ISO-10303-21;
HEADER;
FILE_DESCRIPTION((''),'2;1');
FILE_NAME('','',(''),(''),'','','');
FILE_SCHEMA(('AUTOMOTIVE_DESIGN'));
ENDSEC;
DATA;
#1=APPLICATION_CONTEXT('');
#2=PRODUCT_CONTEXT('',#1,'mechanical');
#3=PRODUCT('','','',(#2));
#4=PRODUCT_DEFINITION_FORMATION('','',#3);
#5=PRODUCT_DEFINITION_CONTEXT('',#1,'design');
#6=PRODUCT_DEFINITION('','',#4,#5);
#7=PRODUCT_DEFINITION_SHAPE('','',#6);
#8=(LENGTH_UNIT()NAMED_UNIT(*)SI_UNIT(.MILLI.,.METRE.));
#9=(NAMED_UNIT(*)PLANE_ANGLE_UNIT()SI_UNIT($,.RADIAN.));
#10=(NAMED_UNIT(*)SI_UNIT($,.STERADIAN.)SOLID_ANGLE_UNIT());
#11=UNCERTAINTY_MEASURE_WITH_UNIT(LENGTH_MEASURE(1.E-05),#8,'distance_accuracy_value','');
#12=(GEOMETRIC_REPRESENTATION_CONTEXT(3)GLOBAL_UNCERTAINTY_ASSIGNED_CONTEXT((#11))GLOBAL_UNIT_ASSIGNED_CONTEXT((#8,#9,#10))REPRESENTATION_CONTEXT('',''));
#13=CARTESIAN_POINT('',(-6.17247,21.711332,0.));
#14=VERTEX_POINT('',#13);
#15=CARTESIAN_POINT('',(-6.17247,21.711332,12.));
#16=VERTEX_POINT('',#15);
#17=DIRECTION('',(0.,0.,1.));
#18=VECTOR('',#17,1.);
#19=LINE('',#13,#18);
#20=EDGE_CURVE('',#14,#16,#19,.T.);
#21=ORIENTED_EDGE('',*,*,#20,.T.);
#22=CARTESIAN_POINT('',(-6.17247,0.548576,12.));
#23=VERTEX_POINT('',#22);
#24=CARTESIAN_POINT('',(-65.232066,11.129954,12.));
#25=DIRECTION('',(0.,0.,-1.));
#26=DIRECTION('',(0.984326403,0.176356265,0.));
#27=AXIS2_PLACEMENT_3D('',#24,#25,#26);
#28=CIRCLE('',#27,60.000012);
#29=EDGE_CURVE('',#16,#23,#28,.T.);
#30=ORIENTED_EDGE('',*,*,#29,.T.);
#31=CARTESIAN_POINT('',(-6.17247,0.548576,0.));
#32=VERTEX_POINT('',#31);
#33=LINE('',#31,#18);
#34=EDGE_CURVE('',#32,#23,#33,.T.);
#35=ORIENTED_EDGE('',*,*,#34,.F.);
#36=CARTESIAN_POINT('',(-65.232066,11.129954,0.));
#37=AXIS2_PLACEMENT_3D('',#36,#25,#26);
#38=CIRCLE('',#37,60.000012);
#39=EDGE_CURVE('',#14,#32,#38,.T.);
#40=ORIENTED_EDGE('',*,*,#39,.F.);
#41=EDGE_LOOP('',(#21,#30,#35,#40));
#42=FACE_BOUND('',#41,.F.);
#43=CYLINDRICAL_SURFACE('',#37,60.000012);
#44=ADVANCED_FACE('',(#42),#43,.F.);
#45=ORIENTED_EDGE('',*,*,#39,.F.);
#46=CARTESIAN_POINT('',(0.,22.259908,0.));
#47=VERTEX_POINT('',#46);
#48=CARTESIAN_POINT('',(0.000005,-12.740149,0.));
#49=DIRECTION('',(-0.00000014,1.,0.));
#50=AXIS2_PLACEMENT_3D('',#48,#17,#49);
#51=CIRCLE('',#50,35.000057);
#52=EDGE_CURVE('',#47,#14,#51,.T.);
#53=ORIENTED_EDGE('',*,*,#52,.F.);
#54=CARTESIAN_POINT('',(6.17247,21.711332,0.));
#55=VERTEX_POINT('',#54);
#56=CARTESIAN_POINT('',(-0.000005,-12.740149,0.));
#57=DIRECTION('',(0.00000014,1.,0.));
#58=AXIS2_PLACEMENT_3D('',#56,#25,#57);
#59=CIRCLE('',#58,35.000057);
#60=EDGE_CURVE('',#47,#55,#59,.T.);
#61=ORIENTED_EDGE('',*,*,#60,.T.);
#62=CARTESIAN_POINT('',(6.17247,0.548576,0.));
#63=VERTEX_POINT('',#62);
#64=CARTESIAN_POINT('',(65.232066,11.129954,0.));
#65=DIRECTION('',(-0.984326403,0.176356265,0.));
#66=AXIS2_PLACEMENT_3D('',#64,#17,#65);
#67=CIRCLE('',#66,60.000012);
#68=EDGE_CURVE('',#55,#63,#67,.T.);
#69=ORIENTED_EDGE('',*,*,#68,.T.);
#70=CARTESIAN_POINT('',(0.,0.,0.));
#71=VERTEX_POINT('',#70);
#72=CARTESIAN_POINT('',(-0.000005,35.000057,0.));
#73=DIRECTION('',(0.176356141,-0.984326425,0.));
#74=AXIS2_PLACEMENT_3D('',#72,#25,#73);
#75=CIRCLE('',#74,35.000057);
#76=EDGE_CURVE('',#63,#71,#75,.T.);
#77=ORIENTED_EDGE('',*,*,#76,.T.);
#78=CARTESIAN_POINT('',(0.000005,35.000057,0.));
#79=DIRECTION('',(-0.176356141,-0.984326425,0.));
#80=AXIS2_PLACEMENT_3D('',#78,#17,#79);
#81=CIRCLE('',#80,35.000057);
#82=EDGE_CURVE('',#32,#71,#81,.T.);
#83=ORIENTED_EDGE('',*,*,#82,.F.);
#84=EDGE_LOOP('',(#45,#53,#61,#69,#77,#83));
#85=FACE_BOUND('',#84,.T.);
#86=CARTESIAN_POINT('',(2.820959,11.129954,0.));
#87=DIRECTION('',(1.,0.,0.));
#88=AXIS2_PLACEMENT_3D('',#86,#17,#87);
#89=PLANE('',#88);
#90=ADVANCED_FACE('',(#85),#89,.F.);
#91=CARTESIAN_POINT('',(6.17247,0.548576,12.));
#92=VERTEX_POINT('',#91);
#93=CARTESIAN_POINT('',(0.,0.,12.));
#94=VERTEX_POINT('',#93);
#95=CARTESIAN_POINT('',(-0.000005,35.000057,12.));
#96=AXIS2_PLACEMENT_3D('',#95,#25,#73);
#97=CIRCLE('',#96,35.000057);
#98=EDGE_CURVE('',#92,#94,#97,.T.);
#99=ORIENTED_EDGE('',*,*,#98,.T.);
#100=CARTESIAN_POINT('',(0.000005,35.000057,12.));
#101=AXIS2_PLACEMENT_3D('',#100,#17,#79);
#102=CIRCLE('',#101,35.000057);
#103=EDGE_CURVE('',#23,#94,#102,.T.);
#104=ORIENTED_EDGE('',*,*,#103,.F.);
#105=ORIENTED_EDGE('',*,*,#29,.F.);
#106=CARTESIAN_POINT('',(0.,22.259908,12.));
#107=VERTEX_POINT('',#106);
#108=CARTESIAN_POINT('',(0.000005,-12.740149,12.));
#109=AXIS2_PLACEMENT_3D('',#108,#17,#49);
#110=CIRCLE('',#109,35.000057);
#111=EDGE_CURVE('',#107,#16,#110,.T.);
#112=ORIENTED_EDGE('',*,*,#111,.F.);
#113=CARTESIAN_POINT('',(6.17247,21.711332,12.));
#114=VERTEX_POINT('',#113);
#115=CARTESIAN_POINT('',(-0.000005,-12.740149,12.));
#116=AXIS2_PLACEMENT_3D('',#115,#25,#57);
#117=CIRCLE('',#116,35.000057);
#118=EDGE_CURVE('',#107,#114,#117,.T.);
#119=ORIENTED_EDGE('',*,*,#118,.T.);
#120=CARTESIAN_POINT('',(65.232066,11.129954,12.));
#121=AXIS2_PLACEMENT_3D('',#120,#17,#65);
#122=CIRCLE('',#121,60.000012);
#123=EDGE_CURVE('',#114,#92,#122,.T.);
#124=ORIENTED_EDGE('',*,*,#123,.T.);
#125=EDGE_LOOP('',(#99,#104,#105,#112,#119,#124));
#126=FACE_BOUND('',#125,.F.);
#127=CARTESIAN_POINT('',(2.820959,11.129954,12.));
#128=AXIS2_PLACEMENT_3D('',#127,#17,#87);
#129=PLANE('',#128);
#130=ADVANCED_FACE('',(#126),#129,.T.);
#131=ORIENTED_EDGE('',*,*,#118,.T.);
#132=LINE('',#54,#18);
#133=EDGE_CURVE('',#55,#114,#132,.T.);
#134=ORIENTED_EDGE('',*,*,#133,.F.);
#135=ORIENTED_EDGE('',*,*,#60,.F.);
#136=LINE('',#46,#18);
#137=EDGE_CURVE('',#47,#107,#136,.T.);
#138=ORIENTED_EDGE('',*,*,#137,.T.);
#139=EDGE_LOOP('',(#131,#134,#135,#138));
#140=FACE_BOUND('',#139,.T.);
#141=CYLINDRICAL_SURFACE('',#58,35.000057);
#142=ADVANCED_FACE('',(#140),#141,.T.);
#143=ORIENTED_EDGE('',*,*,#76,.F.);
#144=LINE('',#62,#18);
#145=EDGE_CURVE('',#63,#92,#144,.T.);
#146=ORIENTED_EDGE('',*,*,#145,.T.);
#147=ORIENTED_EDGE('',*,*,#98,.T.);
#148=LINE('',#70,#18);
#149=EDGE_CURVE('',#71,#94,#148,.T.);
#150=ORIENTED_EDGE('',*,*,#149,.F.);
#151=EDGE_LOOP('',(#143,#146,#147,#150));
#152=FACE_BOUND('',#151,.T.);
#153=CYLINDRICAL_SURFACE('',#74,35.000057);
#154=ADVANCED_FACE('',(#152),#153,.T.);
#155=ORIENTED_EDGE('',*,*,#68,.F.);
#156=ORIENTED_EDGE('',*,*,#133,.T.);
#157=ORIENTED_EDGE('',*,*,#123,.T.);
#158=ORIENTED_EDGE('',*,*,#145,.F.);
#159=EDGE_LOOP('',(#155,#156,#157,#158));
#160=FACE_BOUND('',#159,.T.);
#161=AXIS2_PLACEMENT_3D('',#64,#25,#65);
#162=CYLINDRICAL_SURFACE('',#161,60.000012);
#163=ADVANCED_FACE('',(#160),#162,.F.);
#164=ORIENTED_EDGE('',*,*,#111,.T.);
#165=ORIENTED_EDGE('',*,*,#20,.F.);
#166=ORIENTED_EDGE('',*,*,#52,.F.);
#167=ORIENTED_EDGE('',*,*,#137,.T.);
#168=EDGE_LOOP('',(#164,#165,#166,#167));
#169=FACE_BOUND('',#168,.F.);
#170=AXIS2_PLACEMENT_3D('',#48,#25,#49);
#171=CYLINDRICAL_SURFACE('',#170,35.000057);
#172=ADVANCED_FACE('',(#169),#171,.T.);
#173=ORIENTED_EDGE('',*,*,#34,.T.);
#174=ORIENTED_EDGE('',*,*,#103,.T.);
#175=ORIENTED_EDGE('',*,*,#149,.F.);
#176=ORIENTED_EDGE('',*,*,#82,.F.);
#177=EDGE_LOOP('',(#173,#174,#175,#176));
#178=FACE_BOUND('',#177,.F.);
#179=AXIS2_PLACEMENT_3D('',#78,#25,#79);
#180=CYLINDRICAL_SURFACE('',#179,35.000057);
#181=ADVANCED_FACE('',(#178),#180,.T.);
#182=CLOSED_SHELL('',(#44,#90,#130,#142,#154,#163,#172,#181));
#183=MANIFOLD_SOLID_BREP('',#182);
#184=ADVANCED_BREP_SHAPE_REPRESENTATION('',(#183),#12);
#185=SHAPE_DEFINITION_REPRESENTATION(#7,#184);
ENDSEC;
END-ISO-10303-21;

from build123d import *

# Parameters (mm, degrees)
F1_DEPTH = 12


with BuildPart() as f1:
    # F0 (on Top) → F1 (new body)
    with BuildSketch(Plane.XY):
        with BuildLine():
            Line((0, 0), (0, 22.259908))
            ThreePointArc((0, 22.259908), (-3.0984, 22.122494), (-6.17247, 21.711332))
            ThreePointArc((-6.17247, 21.711332), (-5.232054, 11.129954), (-6.17247, 0.548576))
            ThreePointArc((-6.17247, 0.548576), (-3.0984, 0.137414), (0, 0))
        make_face()
    extrude(amount=F1_DEPTH)

    # F2: F1 across plane


with BuildPart() as f1_1:
    add(f1.part)
    add(f1.part.mirror(Plane.YZ))


solid = f1_1.part
